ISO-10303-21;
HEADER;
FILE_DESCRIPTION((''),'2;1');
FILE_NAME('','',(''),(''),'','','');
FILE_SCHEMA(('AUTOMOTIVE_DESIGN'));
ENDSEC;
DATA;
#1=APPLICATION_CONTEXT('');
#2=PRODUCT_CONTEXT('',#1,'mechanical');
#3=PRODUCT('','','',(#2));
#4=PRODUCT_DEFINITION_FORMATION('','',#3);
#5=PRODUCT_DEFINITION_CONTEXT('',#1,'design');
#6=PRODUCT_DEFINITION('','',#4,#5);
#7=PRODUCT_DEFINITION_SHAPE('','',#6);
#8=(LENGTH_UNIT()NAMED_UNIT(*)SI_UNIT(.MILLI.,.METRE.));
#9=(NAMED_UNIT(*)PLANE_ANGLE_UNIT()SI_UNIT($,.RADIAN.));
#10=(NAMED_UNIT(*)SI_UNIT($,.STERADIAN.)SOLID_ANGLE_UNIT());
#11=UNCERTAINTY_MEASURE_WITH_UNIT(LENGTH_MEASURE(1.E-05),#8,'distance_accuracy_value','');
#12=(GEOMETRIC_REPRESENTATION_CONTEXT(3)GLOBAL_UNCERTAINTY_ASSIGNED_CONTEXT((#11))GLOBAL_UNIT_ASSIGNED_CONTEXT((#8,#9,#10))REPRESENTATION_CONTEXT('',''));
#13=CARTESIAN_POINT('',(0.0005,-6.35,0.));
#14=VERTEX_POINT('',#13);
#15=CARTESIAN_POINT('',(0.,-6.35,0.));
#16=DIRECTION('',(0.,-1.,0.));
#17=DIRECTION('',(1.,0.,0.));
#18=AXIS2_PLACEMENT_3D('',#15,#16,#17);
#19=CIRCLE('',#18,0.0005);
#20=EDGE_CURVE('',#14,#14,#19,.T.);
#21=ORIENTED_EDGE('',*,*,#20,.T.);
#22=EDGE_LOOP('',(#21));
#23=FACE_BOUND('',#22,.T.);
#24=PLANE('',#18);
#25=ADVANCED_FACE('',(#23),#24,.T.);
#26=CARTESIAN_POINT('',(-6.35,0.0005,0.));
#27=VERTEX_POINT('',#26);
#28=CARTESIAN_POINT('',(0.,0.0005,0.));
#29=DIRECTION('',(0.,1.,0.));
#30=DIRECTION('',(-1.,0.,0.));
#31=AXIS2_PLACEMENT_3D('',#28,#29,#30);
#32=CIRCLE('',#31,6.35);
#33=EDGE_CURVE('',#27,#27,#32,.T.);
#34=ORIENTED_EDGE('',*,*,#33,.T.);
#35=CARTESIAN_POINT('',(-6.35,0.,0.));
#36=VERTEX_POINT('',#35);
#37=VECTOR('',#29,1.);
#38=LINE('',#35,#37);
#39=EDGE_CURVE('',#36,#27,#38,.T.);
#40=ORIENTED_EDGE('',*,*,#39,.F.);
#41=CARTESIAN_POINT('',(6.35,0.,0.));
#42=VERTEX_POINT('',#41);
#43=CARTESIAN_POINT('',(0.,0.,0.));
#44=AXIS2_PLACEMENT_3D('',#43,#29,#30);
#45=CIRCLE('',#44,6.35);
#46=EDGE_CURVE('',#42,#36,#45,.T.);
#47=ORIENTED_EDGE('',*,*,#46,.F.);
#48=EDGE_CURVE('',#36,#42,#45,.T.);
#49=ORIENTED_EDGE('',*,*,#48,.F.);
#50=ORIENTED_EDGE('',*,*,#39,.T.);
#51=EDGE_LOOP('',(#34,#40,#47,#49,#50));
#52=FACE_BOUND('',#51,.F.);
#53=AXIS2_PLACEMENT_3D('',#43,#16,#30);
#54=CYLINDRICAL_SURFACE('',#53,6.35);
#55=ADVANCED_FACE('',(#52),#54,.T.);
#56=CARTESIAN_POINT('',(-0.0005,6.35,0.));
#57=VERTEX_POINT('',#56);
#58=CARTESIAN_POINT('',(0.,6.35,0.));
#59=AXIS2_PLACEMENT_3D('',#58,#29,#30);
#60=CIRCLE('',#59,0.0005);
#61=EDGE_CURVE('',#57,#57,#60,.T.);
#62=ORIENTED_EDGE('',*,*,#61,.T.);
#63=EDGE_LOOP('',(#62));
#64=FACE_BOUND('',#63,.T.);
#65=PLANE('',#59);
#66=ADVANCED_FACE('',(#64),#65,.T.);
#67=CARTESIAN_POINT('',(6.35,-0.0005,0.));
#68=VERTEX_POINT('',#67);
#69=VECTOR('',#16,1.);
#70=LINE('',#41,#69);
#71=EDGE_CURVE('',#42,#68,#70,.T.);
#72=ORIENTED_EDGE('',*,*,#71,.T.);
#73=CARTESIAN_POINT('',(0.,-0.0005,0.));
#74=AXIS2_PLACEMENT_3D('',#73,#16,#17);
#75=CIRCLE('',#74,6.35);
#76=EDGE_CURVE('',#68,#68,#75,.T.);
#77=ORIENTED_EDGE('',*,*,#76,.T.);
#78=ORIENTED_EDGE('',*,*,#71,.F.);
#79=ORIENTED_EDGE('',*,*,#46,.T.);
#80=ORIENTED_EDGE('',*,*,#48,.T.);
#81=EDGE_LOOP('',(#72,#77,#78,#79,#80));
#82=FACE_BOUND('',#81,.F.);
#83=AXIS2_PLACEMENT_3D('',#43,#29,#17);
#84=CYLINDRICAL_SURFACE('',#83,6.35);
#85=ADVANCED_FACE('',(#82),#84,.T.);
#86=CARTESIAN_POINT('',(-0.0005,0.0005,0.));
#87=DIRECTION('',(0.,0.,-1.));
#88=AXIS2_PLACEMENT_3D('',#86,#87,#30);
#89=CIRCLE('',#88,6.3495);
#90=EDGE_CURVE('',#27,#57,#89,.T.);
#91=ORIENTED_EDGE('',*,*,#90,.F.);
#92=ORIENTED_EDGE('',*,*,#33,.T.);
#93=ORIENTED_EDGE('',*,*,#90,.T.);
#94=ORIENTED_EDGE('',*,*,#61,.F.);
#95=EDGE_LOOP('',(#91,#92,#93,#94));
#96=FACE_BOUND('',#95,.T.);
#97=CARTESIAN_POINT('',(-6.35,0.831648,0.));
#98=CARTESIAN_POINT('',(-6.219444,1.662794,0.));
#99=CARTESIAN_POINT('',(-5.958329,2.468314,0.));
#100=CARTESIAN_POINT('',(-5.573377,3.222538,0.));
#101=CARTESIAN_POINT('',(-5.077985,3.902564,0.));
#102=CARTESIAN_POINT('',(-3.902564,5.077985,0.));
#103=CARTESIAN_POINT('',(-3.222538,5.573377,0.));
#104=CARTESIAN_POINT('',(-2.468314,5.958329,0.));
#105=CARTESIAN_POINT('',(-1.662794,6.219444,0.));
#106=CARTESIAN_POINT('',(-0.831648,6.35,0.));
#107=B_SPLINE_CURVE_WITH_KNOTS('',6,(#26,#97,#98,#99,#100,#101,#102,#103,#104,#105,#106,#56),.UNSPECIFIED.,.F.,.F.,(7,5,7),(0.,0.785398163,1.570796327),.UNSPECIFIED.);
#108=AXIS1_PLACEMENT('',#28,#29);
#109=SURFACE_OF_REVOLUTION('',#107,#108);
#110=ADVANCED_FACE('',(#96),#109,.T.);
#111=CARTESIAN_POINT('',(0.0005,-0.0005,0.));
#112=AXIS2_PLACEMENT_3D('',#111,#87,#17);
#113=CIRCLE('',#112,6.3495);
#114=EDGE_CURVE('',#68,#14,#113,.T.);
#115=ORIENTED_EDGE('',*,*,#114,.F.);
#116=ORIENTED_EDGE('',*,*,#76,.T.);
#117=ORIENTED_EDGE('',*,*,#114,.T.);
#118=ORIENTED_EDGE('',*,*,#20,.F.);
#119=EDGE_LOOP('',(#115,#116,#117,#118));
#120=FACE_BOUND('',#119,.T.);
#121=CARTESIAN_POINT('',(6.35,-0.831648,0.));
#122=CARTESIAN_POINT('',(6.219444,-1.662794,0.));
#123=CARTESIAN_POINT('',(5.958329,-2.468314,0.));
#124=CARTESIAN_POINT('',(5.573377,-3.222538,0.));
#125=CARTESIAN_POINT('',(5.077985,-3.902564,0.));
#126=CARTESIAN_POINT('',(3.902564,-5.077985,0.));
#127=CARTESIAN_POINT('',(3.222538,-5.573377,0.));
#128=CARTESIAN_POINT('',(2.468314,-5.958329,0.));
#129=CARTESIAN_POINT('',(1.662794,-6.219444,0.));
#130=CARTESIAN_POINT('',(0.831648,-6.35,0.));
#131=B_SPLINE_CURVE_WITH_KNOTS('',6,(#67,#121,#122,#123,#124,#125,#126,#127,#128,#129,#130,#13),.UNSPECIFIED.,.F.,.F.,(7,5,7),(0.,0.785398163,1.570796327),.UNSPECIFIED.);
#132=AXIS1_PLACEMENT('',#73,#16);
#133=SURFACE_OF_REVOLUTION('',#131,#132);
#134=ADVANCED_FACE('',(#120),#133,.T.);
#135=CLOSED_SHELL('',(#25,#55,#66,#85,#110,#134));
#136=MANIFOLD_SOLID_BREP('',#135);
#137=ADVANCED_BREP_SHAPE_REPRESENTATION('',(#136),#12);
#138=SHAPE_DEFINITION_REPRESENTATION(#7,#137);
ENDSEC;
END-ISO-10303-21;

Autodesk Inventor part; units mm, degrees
ref_plane "YZ Plane" through (0, 0, 0) normal (1, 0, 0) x (0, 1, 0)
ref_plane "XZ Plane" through (0, 0, 0) normal (0, 1, 0) x (-1, 0, 0)
ref_plane "XY Plane" through (0, 0, 0) normal (0, 0, 1) x (1, 0, 0)
sketch "Sketch1" plane through (0, 0, 0) normal (0, 1, 0) x (-1, 0, 0)
  circle A0 centre (0, 0) radius 6.35
  dimension "d0" = 12.7
extrude "Extrusion1" add sketch "Sketch1" along normal blind 6.35
fillet "Fillet1" radius 6.35 1 edges at (6.35, 6.35, 0)
sketch "Sketch2" plane through (0, 0, 0) normal (0, -1, 0) x (1, 0, 0)
  circle A0 centre (0, 0) radius 6.35
  dimension "d4" = 12.7
extrude "Extrusion2" add sketch "Sketch2" along normal blind 6.35
fillet "Fillet2" radius 6.35 1 edges at (-6.35, -6.35, 0)
properties part number "caster_ball"
